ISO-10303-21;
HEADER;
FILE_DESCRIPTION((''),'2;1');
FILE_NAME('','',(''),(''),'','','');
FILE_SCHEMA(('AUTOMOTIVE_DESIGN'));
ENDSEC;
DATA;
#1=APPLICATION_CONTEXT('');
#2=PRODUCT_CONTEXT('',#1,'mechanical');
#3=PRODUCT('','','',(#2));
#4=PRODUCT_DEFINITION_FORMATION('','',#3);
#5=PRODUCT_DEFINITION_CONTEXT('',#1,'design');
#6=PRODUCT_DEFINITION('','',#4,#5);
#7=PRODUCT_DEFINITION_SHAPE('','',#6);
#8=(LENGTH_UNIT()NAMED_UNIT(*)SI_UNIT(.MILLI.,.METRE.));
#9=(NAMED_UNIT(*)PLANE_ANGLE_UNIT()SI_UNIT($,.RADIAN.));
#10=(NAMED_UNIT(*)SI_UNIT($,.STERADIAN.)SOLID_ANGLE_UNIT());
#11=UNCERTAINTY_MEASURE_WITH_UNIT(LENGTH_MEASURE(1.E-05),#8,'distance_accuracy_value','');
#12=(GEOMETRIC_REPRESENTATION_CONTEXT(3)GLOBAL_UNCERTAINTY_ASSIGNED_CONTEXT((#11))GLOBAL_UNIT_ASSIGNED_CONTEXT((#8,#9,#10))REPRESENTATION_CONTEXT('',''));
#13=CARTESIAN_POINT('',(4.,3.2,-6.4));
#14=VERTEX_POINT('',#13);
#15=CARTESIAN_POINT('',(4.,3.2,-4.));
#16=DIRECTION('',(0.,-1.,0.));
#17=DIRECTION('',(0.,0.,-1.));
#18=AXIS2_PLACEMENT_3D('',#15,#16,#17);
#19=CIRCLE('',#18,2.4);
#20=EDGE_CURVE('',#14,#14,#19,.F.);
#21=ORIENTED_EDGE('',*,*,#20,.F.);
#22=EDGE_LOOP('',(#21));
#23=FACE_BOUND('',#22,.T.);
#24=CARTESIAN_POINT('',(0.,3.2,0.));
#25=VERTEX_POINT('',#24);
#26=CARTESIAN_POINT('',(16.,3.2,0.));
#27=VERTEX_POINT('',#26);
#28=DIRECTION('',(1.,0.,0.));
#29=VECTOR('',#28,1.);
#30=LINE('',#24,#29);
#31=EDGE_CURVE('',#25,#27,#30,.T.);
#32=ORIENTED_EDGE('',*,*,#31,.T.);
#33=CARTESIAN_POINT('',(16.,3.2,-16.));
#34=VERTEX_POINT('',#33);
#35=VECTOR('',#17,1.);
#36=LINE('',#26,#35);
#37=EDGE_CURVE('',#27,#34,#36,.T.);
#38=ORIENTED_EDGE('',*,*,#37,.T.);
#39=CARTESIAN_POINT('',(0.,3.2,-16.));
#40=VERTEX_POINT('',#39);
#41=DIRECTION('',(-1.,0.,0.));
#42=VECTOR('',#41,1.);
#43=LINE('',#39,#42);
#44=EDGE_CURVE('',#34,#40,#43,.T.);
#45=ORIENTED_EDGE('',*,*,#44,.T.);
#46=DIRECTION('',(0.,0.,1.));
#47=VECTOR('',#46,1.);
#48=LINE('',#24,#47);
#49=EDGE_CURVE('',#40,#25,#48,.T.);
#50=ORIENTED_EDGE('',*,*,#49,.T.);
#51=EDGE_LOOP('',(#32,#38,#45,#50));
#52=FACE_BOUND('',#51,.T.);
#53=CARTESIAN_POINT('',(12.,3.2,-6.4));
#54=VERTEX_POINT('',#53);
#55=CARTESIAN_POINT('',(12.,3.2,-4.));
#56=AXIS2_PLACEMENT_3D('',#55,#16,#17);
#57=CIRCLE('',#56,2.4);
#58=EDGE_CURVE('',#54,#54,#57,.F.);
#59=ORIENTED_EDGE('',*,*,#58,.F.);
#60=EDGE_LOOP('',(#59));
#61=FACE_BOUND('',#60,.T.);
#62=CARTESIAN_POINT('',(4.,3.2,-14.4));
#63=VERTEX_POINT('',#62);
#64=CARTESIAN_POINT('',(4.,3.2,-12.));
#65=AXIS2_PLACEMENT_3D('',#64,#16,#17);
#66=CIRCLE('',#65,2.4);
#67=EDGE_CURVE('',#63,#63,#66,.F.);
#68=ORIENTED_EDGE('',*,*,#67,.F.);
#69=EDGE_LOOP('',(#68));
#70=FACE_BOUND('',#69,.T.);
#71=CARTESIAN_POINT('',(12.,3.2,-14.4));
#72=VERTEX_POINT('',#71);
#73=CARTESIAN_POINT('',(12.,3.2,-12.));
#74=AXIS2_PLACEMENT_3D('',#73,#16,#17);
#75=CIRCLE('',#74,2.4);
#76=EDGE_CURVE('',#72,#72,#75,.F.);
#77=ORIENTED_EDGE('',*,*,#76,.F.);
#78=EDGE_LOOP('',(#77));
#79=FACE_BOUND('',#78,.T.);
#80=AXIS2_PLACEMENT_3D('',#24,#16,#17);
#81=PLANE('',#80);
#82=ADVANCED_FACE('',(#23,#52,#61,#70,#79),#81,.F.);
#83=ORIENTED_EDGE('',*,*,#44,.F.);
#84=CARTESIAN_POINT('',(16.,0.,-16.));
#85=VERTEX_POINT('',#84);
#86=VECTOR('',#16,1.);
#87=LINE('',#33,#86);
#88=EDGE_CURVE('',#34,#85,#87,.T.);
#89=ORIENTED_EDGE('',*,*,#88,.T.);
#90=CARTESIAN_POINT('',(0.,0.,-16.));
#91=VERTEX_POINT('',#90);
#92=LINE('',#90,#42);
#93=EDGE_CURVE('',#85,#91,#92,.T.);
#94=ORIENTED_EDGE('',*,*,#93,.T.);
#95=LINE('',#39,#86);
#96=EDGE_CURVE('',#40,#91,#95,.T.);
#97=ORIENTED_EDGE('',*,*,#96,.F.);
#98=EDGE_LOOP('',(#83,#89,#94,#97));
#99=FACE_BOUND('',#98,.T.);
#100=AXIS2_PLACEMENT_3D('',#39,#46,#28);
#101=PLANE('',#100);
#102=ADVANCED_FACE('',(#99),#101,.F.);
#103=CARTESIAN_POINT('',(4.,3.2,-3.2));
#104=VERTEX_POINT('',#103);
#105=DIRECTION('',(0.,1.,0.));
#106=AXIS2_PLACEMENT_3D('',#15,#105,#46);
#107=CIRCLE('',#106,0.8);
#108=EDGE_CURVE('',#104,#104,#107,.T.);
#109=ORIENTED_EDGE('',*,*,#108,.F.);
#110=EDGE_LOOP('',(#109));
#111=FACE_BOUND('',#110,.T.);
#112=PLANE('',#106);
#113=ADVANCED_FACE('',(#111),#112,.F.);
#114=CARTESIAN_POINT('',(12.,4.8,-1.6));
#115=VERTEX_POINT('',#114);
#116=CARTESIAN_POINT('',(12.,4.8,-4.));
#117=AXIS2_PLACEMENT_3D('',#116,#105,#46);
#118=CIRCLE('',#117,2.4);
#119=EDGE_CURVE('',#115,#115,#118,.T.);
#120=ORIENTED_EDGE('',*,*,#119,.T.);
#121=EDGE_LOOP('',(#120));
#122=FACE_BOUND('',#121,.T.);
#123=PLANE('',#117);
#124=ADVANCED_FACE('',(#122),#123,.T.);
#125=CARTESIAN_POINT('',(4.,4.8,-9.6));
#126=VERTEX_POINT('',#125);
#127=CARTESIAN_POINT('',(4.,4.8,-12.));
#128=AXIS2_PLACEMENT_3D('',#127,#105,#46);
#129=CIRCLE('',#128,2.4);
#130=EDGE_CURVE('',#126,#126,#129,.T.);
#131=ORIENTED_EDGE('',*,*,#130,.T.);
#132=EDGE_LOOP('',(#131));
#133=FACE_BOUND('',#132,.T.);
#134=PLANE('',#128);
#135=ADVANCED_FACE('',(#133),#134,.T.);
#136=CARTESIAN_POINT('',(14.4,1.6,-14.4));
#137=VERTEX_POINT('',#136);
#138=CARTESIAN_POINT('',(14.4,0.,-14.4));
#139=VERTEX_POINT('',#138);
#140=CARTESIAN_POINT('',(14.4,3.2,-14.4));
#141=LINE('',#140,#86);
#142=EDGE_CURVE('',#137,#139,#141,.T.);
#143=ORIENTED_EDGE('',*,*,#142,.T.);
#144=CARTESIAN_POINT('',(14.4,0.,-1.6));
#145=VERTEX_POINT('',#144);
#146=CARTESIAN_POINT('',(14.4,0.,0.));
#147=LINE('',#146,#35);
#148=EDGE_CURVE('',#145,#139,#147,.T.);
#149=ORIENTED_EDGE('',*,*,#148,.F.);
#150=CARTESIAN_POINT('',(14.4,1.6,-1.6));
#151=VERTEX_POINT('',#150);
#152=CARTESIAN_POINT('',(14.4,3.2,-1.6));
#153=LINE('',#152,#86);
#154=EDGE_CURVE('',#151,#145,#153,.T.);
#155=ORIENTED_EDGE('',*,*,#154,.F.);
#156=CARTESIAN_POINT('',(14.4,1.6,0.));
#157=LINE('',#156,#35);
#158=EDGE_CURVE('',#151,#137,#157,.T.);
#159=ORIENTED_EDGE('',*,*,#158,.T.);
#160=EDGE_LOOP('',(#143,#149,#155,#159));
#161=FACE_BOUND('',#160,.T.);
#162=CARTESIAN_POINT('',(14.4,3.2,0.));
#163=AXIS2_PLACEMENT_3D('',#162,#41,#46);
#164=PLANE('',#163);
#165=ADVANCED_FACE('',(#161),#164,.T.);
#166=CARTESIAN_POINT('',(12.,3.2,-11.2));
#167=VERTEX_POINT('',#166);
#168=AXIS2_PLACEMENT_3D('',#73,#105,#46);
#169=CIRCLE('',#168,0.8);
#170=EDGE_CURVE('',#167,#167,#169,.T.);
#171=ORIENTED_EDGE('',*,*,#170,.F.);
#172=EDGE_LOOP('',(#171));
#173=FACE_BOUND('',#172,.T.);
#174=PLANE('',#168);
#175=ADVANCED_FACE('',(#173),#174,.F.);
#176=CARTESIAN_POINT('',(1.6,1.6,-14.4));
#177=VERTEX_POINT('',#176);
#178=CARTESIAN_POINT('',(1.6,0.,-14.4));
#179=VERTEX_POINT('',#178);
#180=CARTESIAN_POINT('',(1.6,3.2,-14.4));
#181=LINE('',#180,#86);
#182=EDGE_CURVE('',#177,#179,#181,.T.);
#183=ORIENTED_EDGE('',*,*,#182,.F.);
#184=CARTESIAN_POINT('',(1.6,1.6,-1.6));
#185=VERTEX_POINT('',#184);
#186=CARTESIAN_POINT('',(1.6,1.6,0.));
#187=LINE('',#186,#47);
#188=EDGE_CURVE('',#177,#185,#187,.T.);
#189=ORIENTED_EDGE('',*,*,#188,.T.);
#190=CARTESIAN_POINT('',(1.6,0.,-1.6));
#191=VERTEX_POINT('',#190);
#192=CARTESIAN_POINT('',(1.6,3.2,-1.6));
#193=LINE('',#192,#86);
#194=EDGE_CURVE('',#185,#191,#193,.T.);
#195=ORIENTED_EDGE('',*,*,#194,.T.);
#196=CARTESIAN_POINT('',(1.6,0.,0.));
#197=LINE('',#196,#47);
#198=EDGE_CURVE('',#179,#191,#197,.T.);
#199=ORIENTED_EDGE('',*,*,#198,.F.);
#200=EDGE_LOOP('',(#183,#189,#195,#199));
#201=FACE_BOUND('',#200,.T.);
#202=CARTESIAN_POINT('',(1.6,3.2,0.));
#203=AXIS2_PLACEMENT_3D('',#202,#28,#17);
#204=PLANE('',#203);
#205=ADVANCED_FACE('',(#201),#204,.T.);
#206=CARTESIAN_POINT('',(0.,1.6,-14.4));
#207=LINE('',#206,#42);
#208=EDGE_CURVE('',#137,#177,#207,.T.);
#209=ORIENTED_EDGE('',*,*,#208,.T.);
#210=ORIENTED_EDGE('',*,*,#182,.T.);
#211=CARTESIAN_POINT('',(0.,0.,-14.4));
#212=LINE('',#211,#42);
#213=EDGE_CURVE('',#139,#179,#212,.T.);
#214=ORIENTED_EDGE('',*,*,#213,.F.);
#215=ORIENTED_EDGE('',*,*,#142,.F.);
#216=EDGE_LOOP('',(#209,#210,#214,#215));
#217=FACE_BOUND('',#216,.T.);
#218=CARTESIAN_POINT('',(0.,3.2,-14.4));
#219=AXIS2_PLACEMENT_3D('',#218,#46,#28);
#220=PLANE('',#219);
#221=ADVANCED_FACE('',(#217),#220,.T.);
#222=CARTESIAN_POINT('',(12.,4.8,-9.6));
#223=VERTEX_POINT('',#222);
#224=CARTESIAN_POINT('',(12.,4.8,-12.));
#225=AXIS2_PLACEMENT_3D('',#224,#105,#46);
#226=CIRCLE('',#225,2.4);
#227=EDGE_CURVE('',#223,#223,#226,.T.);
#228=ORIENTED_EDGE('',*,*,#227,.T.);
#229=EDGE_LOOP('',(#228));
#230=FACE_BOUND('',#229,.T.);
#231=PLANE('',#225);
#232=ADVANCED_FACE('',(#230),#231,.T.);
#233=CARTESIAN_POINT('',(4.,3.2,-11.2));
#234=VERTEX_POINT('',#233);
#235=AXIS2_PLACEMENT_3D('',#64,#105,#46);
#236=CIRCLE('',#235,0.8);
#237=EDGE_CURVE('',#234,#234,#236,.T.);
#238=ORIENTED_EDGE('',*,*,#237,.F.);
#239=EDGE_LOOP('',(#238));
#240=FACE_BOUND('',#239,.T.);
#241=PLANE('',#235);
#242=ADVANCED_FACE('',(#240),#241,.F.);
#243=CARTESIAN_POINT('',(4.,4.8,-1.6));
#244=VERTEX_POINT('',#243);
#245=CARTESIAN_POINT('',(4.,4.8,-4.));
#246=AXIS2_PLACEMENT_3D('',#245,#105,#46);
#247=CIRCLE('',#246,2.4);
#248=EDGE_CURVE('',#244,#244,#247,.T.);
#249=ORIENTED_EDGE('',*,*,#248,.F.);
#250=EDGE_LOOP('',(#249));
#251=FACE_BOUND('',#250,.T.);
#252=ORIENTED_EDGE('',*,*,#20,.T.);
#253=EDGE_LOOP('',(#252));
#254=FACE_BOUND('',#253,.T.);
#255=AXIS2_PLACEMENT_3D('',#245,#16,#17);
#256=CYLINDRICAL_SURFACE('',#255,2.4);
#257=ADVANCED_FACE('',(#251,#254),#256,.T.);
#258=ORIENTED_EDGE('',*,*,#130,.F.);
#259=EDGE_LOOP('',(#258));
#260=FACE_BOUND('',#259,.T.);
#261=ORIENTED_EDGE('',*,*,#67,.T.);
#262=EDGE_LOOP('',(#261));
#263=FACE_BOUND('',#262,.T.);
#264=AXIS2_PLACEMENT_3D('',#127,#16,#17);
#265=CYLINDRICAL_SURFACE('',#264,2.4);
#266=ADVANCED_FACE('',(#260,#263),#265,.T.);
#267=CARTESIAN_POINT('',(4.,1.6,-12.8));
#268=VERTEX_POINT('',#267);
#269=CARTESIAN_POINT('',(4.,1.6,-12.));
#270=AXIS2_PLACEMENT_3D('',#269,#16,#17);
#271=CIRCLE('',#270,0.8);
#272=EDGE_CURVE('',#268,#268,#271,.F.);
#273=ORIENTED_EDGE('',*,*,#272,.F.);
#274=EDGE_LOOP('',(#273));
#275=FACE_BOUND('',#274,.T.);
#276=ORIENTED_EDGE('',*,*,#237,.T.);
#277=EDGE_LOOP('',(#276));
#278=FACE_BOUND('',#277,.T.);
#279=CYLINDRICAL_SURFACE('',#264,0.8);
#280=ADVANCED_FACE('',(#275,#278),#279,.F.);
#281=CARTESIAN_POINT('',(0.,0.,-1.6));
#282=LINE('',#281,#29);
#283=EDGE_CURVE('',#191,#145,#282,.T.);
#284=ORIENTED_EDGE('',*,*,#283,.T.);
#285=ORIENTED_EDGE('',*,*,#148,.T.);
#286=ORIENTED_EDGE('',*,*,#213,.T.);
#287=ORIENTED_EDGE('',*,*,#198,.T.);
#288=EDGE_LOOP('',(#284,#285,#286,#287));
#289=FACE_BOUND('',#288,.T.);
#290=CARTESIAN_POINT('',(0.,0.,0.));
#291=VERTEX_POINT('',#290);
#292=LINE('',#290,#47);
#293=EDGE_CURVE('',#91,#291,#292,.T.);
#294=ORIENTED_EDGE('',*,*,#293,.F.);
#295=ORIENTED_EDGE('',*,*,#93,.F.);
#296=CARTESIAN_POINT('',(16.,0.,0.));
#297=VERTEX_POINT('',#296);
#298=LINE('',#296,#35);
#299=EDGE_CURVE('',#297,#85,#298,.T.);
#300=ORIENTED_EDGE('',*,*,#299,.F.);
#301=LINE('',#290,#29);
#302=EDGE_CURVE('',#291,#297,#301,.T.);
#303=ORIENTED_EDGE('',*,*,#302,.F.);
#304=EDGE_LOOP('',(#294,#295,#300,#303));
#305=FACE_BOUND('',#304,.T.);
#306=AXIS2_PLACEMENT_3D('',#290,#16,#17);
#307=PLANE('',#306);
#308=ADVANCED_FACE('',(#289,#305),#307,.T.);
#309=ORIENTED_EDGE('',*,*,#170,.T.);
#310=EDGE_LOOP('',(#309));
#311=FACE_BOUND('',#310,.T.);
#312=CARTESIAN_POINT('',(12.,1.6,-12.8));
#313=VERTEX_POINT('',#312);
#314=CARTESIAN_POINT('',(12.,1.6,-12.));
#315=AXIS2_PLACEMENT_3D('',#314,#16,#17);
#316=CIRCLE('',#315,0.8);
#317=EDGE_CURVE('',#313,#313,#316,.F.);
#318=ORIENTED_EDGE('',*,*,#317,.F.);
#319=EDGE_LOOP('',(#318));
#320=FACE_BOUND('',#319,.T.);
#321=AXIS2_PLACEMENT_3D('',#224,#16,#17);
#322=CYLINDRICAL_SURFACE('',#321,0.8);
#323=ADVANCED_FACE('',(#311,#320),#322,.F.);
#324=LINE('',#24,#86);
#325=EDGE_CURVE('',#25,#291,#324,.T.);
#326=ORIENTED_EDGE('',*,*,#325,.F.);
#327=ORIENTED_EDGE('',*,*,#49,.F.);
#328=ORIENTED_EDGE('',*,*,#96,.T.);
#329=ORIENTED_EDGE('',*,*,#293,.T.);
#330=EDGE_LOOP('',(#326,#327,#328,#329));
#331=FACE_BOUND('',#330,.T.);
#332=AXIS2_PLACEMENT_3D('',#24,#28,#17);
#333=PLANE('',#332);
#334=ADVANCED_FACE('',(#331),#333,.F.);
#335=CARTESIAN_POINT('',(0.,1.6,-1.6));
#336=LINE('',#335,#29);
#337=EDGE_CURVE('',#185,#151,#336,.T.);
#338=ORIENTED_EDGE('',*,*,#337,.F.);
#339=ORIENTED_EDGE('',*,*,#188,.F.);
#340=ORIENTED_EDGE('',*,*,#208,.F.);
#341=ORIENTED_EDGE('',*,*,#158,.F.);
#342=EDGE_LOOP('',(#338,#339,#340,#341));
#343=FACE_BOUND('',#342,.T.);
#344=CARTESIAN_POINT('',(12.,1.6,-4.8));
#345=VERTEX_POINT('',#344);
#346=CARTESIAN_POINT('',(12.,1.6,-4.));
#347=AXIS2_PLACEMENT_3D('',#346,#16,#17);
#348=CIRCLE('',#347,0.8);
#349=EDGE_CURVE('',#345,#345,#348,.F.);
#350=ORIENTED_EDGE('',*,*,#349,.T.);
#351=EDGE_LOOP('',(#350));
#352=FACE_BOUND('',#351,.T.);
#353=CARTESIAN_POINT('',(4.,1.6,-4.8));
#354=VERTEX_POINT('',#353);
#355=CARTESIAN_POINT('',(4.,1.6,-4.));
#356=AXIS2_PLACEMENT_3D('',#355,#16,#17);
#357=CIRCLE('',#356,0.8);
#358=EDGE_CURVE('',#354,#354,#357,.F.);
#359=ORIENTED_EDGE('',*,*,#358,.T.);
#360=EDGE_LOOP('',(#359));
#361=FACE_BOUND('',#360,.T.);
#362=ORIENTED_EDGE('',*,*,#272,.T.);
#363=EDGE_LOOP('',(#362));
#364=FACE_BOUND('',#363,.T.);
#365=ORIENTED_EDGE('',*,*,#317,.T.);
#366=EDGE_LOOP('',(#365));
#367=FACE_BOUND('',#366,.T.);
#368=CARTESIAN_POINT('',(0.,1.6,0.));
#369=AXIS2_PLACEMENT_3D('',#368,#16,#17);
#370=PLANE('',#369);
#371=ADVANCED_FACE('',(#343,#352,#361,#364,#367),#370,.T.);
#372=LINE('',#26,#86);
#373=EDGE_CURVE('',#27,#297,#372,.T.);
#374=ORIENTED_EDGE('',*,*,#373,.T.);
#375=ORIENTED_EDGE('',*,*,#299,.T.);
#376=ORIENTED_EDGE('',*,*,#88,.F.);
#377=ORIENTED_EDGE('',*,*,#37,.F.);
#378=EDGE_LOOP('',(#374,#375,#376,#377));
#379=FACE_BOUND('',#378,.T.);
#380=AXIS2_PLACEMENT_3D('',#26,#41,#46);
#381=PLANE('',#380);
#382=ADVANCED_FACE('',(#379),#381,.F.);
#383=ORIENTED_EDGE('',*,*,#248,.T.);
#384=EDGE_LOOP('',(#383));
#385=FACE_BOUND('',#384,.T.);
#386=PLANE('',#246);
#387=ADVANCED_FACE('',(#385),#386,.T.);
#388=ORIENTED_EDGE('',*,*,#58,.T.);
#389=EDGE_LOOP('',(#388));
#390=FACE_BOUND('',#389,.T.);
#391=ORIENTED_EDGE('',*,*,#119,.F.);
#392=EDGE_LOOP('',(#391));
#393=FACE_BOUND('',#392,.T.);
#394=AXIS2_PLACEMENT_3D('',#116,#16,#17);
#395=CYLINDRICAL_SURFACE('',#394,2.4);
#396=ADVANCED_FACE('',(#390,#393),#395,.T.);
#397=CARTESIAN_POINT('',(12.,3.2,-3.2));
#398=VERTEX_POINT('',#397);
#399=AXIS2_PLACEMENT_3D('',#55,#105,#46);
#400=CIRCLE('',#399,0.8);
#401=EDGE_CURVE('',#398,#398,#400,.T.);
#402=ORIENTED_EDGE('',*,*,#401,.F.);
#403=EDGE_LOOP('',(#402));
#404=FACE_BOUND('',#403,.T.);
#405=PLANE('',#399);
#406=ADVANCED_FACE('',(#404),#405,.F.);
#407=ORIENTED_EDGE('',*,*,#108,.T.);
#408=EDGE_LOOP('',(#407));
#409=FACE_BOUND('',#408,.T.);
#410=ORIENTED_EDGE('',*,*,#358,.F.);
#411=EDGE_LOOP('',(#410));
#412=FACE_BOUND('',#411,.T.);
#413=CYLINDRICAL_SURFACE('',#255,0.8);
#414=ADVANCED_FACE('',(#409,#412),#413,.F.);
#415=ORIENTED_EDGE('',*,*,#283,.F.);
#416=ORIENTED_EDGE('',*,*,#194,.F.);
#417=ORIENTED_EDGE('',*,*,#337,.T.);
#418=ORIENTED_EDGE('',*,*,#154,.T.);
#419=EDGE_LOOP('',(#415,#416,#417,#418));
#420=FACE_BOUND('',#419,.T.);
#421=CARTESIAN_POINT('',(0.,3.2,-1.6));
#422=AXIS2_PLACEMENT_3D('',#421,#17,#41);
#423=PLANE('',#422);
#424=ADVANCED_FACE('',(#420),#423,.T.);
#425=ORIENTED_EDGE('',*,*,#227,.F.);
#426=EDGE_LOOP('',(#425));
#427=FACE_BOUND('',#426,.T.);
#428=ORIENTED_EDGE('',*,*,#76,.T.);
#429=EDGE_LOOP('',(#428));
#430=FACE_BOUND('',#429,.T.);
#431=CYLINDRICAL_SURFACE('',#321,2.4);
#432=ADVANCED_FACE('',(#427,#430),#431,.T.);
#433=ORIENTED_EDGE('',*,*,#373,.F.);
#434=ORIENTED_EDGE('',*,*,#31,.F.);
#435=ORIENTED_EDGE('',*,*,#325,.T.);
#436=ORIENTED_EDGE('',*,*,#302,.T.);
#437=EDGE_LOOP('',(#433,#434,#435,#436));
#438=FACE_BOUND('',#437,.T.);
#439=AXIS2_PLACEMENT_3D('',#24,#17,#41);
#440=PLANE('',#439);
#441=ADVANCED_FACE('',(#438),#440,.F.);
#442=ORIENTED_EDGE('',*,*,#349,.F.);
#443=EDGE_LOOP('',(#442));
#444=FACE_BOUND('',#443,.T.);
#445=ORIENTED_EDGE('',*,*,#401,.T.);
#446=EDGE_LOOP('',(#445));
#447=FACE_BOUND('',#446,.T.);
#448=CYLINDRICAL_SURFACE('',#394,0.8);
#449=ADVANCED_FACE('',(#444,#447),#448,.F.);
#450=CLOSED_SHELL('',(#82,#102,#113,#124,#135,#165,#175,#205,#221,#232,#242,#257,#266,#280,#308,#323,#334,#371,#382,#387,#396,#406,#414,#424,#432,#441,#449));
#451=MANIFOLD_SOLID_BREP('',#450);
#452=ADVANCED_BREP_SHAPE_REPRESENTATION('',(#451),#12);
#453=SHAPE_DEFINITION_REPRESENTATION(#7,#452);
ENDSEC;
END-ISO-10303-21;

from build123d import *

# Parameters (mm, degrees)
SKETCH1_W            = 16
SKETCH1_H            = 16
BOSS_EXTRUDE1_DEPTH  = 3.2
SKETCH2_R            = 2.4
BOSS_EXTRUDE2_DEPTH  = 1.6
LPATTERN1_COUNT      = 2
LPATTERN1_PITCH      = 8
LPATTERN1_COUNT_DIR2 = 4
LPATTERN1_PITCH_DIR2 = 8
SHELL1_T             = -1.6


with BuildPart() as part:
    # Sketch1 → Boss-Extrude1 (new body)
    with BuildSketch(Plane(origin=(0, 0, 0), x_dir=(1, 0, 0), z_dir=(0, 1, 0))):
        with Locations((8, 8)):
            Rectangle(SKETCH1_W, SKETCH1_H)
    extrude(amount=BOSS_EXTRUDE1_DEPTH)

    # Sketch2 → Boss-Extrude2 (add)
    with BuildSketch(Plane(origin=(0, 3.2, 0), x_dir=(1, 0, 0), z_dir=(0, 1, 0))):
        with Locations(Location((12, 4, 0), (0, 0, 90))):
            Circle(SKETCH2_R)
    boss_extrude2 = extrude(amount=BOSS_EXTRUDE2_DEPTH)

    # LPattern1: Boss-Extrude2 2 × 4, 4 skipped
    with Locations(*[(-i * LPATTERN1_PITCH, 0, -j * LPATTERN1_PITCH_DIR2) for i in range(LPATTERN1_COUNT) for j in range(LPATTERN1_COUNT_DIR2) if (i, j) not in ((0, 0), (0, 2), (0, 3), (1, 2), (1, 3))]):
        add(boss_extrude2)

    # Shell1
    shell1_openings = [part.faces().sort_by_distance(p)[0] for p in [
        (8, 0, -8),
    ]]
    offset(amount=SHELL1_T, openings=shell1_openings, kind=Kind.INTERSECTION)


solid = part.part
